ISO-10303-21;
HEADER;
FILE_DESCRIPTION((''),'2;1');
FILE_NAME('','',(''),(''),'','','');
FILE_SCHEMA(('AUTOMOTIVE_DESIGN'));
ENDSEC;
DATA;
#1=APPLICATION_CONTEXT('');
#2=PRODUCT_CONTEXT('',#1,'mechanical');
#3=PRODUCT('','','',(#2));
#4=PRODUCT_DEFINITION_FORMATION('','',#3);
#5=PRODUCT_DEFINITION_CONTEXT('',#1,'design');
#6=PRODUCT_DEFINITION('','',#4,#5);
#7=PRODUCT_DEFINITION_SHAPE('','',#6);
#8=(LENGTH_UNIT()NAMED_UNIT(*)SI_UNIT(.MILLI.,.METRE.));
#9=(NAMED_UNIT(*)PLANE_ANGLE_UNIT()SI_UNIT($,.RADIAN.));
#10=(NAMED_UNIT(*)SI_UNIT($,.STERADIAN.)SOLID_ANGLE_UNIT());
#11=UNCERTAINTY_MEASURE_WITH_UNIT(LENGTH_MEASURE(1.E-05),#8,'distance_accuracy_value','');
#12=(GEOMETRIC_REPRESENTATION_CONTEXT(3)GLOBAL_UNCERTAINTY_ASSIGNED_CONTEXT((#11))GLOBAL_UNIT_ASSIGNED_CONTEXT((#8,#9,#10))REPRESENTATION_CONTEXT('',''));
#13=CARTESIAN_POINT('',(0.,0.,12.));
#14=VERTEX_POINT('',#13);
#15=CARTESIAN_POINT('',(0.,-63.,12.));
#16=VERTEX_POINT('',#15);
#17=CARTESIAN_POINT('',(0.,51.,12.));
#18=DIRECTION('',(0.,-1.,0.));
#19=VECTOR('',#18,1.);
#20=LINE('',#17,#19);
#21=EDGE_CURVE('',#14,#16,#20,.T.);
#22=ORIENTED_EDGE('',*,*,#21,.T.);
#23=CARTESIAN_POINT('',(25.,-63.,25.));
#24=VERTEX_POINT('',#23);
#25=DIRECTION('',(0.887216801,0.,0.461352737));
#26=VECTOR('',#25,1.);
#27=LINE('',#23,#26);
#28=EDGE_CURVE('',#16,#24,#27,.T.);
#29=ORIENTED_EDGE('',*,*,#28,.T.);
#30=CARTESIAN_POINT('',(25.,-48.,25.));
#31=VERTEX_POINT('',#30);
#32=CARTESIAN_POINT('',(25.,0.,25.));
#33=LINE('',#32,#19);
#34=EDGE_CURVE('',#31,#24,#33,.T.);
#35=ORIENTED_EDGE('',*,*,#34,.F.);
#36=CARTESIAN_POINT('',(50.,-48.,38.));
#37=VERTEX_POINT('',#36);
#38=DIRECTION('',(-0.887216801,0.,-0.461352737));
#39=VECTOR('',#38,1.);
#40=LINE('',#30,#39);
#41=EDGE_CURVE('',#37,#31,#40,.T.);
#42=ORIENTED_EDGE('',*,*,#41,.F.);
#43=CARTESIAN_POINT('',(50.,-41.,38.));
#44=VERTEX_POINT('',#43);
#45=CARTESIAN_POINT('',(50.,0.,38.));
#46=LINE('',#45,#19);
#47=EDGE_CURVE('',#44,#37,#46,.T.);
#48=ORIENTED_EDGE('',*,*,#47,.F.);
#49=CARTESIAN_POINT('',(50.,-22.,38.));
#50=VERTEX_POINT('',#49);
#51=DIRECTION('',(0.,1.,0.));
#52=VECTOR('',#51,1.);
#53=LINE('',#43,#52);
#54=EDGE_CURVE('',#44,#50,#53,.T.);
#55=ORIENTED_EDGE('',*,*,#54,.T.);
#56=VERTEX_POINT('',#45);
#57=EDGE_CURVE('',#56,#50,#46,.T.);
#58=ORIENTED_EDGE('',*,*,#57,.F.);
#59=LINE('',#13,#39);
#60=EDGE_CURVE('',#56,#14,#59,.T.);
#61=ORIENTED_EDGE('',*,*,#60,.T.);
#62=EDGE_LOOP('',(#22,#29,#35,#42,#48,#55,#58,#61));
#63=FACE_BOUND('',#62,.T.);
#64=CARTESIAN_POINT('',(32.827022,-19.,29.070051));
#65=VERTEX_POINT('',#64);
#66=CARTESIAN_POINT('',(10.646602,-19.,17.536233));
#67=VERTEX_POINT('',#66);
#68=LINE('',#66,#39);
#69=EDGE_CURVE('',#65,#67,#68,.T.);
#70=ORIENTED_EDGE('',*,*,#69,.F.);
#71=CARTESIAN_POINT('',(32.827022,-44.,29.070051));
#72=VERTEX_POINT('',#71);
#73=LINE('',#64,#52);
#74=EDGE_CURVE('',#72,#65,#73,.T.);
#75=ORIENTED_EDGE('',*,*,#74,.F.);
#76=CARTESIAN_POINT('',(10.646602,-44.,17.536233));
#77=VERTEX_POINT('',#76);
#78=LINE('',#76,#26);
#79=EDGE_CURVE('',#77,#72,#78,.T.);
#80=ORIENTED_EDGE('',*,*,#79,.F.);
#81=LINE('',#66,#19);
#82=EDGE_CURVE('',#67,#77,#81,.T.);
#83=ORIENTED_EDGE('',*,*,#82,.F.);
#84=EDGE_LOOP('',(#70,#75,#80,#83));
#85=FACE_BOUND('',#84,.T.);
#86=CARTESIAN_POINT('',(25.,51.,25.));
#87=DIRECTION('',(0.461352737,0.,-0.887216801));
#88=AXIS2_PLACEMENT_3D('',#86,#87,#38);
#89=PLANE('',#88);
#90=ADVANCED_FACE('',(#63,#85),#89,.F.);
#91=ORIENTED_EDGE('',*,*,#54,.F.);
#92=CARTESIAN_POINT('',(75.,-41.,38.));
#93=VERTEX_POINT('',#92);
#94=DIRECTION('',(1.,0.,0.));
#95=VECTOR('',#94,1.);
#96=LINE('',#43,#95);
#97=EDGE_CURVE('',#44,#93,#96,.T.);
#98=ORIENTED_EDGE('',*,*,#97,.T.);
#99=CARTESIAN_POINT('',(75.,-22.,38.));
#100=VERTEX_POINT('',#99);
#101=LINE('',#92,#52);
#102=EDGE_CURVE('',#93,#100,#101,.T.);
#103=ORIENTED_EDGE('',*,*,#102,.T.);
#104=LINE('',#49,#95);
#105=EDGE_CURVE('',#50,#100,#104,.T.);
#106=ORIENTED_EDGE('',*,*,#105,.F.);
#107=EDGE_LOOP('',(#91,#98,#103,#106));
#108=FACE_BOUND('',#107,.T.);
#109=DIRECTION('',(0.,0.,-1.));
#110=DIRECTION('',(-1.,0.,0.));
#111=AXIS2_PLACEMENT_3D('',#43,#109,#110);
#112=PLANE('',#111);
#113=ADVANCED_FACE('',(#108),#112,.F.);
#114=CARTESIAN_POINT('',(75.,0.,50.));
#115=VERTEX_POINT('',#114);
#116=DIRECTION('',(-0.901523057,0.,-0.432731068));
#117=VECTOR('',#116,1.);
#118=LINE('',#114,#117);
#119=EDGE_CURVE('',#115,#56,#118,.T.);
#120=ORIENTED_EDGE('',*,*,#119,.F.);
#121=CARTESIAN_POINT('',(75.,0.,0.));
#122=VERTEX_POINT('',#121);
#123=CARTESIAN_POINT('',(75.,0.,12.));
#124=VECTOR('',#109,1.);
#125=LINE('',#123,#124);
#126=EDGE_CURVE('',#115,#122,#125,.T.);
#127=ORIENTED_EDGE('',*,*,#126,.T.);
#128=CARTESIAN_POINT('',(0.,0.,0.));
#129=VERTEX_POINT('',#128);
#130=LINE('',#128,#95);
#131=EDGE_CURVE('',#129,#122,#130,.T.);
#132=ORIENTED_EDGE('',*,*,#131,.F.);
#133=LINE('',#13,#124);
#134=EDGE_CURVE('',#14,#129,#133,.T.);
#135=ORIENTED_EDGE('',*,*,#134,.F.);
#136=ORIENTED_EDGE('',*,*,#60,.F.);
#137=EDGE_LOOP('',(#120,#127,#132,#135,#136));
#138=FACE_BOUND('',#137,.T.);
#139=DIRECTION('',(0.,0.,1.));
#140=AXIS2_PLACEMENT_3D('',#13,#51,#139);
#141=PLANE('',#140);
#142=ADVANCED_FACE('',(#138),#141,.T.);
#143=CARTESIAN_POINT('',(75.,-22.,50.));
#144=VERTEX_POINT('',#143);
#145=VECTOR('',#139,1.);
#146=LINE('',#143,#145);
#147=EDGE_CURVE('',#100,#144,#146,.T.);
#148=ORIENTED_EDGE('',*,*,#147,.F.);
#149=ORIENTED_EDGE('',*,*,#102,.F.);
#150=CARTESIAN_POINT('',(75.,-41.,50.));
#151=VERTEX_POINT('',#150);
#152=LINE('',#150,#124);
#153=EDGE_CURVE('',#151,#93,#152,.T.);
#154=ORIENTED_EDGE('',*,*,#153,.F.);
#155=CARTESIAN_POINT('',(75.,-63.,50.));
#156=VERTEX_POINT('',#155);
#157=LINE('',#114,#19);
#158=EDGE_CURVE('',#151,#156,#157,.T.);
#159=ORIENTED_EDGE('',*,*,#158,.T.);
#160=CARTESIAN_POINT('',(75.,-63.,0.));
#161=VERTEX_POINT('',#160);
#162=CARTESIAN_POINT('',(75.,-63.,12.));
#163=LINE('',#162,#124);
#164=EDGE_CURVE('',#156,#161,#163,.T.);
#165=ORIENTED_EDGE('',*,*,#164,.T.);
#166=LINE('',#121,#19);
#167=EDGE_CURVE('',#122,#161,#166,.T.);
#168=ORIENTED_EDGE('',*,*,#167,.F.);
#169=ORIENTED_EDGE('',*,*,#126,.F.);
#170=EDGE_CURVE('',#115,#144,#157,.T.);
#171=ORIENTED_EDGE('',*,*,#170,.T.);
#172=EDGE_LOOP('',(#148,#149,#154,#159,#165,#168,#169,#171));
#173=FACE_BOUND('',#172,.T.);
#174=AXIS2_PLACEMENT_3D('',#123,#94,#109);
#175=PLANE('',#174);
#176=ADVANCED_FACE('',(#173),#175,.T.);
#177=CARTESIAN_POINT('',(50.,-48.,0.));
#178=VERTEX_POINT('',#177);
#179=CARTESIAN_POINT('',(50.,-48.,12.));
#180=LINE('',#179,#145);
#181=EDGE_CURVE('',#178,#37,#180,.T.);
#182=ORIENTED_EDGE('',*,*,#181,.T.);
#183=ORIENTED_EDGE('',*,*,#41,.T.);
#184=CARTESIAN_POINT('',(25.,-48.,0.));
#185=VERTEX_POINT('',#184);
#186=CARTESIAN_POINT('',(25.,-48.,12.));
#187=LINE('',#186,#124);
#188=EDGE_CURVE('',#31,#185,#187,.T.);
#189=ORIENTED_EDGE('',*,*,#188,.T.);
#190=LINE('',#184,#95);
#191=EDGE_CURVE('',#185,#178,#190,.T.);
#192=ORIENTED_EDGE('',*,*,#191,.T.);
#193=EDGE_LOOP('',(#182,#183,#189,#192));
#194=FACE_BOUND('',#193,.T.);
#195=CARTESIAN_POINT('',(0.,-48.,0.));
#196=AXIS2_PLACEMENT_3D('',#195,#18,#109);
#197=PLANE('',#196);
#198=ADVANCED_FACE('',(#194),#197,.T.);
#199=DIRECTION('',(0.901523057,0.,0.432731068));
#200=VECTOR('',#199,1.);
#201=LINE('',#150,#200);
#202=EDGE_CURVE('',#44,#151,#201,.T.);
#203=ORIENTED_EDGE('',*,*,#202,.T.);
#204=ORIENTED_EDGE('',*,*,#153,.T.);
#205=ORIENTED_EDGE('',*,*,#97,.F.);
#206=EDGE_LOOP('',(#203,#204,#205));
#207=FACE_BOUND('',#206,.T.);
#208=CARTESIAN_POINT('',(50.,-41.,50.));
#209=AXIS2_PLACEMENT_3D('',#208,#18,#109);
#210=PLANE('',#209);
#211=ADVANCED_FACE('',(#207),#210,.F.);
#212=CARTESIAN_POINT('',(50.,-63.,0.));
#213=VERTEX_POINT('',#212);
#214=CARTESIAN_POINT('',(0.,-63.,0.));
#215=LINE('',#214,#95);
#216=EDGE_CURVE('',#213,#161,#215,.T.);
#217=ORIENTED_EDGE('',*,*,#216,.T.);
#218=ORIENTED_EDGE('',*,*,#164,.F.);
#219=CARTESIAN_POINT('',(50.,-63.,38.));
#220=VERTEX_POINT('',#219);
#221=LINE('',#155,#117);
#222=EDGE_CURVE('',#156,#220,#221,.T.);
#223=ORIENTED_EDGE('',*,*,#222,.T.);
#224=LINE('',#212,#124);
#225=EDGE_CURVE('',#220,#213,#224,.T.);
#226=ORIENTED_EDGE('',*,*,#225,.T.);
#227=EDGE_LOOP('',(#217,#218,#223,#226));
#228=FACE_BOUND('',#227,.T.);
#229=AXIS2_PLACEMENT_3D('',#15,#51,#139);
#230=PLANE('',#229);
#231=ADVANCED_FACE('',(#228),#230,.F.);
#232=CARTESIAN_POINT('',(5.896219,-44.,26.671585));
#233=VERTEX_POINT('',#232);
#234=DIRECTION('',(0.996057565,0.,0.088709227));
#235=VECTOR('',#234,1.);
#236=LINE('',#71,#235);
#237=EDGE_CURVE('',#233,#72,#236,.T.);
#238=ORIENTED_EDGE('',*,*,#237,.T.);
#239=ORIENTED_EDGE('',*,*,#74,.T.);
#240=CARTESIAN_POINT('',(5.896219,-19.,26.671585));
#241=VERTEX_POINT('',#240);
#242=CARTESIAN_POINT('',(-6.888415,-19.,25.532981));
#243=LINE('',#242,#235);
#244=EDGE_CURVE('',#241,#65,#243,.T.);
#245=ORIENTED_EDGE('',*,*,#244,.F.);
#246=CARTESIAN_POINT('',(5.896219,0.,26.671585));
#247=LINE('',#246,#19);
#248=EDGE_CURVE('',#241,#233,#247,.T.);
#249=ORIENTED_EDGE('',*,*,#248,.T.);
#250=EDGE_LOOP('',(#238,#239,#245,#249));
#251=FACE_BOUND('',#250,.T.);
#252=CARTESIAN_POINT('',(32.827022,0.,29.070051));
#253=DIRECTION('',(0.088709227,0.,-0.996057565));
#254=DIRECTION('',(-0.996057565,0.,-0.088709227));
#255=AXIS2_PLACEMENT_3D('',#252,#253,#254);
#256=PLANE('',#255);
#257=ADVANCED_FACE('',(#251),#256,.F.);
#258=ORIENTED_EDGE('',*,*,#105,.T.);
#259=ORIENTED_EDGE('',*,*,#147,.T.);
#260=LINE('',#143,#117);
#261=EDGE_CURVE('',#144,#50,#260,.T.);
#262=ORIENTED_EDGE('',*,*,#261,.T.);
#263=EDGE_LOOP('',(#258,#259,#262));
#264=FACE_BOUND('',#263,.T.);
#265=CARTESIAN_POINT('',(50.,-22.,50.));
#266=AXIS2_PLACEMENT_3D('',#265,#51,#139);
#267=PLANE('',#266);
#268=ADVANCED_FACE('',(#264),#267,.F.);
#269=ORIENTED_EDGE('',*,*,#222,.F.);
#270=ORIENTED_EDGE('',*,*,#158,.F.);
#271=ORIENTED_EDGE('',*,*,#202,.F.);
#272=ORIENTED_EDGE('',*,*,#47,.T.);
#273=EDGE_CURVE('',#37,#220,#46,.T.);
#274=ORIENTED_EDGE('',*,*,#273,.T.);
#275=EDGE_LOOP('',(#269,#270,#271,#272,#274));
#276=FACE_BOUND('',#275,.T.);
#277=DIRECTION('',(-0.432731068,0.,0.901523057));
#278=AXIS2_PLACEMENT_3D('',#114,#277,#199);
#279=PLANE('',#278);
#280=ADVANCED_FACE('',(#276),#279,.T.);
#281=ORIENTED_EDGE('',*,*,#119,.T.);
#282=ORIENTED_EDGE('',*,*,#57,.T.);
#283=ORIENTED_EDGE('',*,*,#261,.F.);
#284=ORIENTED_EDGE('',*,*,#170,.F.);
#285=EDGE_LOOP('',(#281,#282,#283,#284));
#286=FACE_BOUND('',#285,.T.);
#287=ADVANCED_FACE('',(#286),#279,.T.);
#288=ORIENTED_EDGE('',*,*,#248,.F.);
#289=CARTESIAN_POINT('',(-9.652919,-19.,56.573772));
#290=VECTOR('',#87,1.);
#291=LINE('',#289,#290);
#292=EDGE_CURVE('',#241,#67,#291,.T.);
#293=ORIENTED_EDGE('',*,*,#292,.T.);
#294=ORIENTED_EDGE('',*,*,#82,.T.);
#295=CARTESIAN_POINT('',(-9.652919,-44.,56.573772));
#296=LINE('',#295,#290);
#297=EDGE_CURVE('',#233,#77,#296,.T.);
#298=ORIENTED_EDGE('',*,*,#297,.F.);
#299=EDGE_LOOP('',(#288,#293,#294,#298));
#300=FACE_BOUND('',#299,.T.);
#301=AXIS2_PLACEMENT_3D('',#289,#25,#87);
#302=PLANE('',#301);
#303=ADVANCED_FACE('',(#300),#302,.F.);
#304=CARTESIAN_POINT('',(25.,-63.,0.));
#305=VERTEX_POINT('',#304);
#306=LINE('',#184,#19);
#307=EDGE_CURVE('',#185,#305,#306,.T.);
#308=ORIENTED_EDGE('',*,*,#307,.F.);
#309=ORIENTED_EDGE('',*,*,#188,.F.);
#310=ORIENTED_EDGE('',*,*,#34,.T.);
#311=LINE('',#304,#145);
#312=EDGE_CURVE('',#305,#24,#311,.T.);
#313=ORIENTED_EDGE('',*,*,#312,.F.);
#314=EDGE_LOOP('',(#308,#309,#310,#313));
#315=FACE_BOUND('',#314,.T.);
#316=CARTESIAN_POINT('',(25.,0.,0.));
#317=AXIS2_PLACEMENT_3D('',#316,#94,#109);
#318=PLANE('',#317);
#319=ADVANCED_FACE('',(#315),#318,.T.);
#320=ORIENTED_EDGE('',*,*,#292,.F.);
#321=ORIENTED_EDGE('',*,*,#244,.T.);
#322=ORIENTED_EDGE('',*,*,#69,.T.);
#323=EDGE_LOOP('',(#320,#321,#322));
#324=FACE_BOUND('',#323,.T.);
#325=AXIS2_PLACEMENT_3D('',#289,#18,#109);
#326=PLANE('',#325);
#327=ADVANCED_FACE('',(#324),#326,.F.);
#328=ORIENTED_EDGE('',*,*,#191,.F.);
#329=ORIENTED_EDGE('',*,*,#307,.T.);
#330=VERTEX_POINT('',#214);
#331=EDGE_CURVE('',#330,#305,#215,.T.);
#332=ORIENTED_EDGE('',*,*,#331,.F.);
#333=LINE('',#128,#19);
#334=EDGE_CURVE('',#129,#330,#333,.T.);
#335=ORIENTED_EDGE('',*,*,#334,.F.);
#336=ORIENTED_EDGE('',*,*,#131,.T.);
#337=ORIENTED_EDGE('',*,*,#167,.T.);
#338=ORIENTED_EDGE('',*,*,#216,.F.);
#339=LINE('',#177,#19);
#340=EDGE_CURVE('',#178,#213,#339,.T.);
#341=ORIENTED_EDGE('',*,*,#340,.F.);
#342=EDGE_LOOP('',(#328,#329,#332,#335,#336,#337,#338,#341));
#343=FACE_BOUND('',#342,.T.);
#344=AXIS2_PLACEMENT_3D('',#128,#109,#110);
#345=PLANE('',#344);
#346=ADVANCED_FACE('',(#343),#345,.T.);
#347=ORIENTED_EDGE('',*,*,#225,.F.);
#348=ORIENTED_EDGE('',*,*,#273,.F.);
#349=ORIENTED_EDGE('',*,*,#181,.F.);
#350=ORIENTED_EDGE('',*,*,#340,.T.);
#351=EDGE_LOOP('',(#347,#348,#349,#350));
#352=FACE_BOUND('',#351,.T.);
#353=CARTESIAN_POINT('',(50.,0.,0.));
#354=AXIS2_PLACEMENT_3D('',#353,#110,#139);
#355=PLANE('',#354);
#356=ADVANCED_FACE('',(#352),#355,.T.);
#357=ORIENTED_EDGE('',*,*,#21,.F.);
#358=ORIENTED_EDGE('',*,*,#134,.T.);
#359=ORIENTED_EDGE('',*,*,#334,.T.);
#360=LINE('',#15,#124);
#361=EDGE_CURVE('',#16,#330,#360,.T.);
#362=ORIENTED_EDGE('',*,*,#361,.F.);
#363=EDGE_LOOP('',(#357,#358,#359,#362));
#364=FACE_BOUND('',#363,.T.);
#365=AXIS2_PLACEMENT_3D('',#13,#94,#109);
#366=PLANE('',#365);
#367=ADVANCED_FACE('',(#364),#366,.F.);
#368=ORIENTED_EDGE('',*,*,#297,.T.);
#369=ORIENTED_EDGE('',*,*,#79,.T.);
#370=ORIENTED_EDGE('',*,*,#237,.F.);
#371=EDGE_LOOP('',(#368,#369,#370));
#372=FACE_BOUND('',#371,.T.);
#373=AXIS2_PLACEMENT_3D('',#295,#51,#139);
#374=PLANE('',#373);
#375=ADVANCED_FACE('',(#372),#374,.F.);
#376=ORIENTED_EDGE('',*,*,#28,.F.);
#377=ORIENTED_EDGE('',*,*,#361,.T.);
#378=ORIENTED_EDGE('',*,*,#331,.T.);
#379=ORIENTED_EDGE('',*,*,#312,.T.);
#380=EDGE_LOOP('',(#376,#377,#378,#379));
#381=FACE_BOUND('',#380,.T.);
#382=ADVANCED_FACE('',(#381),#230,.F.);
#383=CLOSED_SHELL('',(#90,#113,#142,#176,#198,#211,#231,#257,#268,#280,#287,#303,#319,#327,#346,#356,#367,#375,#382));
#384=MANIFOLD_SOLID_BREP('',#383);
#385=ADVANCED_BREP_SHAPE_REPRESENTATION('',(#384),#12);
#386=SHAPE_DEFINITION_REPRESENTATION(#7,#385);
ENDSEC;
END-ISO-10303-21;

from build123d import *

# Parameters (mm, degrees)
SKETCH1_W           = 75
SKETCH1_H           = 63
BOSS_EXTRUDE1_DEPTH = 12
SKETCH2_W           = 25
SKETCH2_H           = 25
BOSS_EXTRUDE2_DEPTH = 63
CUT_EXTRUDE1_DEPTH  = 114
BOSS_EXTRUDE3_DEPTH = 63
SKETCH6_W           = 25
SKETCH6_H           = 12
CUT_EXTRUDE2_DEPTH  = 15
BOSS_EXTRUDE5_DEPTH = 48
SKETCH8_W           = 12
SKETCH8_H           = 19
CUT_EXTRUDE3_DEPTH  = 25
SKETCH9_W           = 25
SKETCH9_H           = 25
BOSS_EXTRUDE7_DEPTH = 44
CUT_EXTRUDE7_DEPTH  = 44
CUT_EXTRUDE8_DEPTH  = 44


with BuildPart() as part:
    # Sketch1 → Boss-Extrude1 (new body)
    with BuildSketch(Plane.XY):
        with Locations((37.5, -31.5)):
            Rectangle(SKETCH1_W, SKETCH1_H)
    extrude(amount=BOSS_EXTRUDE1_DEPTH)

    # Sketch2 → Boss-Extrude2 (add)
    with BuildSketch(Plane(origin=(0, -63, 0), x_dir=(-1, 0, 0), z_dir=(0, -1, 0))):
        with Locations((-12.5, -12.5)):
            Rectangle(SKETCH2_W, SKETCH2_H)
    extrude(amount=-BOSS_EXTRUDE2_DEPTH)

    # Sketch3 → Cut-Extrude1 (cut)
    with BuildSketch(Plane(origin=(0, -63, 0), x_dir=(-1, 0, 0), z_dir=(0, -1, 0))):
        Polygon((-25, -25), (0, -12), (0, -25), align=None)
    extrude(amount=-CUT_EXTRUDE1_DEPTH, mode=Mode.SUBTRACT)

    # Sketch4 → Boss-Extrude3 (add)
    with BuildSketch(Plane.XZ.offset(63)):
        Polygon((75, 50), (50, 38), (50, 0), (75, 0), align=None)
    extrude(amount=-BOSS_EXTRUDE3_DEPTH)

    # Sketch6 → Cut-Extrude2 (cut)
    with BuildSketch(Plane.XZ.offset(63)):
        with Locations((37.5, 6)):
            Rectangle(SKETCH6_W, SKETCH6_H)
    extrude(amount=-CUT_EXTRUDE2_DEPTH, mode=Mode.SUBTRACT)

    # Sketch7 → Boss-Extrude5 (add)
    with BuildSketch(Plane.XZ.offset(48)):
        Polygon((50, 38), (50, 12), (25, 12), (25, 25), align=None)
    extrude(amount=-BOSS_EXTRUDE5_DEPTH)

    # Sketch8 → Cut-Extrude3 (cut)
    with BuildSketch(Plane(origin=(75, 0, 0), x_dir=(0, 0, -1), z_dir=(1, 0, 0))):
        with Locations((-44, -31.5)):
            Rectangle(SKETCH8_W, SKETCH8_H)
    extrude(amount=-CUT_EXTRUDE3_DEPTH, mode=Mode.SUBTRACT)

    # Sketch9 → Boss-Extrude7 (add)
    with BuildSketch(Plane(origin=(-4.911838791, 0, 9.445843829), x_dir=(0.887216801234595, 0, 0.4613527366419899), z_dir=(-0.4613527366419899, 0, 0.887216801234595))):
        with Locations((30.03623284, -31.5)):
            Rectangle(SKETCH9_W, SKETCH9_H)
    extrude(amount=BOSS_EXTRUDE7_DEPTH)

    # Sketch12 → Cut-Extrude7 (cut)
    with BuildSketch(Plane(origin=(0, -44, 0), x_dir=(-1, 0, 0), z_dir=(0, -1, 0))):
        Polygon((-3.264957829, -31.731701659), (9.652918797, -56.573772094), (-12.527501233, -68.10759051), (-32.827021646, -29.070051256), align=None)
    extrude(amount=-CUT_EXTRUDE7_DEPTH, mode=Mode.SUBTRACT)

    # Sketch13 → Cut-Extrude8 (cut)
    with BuildSketch(Plane.XZ.offset(44)):
        Polygon((32.827021646, 29.070051256), (5.896218628, 26.671584738), (3.264957829, 31.731701659), align=None)
    extrude(amount=-CUT_EXTRUDE8_DEPTH, mode=Mode.SUBTRACT)


solid = part.part
